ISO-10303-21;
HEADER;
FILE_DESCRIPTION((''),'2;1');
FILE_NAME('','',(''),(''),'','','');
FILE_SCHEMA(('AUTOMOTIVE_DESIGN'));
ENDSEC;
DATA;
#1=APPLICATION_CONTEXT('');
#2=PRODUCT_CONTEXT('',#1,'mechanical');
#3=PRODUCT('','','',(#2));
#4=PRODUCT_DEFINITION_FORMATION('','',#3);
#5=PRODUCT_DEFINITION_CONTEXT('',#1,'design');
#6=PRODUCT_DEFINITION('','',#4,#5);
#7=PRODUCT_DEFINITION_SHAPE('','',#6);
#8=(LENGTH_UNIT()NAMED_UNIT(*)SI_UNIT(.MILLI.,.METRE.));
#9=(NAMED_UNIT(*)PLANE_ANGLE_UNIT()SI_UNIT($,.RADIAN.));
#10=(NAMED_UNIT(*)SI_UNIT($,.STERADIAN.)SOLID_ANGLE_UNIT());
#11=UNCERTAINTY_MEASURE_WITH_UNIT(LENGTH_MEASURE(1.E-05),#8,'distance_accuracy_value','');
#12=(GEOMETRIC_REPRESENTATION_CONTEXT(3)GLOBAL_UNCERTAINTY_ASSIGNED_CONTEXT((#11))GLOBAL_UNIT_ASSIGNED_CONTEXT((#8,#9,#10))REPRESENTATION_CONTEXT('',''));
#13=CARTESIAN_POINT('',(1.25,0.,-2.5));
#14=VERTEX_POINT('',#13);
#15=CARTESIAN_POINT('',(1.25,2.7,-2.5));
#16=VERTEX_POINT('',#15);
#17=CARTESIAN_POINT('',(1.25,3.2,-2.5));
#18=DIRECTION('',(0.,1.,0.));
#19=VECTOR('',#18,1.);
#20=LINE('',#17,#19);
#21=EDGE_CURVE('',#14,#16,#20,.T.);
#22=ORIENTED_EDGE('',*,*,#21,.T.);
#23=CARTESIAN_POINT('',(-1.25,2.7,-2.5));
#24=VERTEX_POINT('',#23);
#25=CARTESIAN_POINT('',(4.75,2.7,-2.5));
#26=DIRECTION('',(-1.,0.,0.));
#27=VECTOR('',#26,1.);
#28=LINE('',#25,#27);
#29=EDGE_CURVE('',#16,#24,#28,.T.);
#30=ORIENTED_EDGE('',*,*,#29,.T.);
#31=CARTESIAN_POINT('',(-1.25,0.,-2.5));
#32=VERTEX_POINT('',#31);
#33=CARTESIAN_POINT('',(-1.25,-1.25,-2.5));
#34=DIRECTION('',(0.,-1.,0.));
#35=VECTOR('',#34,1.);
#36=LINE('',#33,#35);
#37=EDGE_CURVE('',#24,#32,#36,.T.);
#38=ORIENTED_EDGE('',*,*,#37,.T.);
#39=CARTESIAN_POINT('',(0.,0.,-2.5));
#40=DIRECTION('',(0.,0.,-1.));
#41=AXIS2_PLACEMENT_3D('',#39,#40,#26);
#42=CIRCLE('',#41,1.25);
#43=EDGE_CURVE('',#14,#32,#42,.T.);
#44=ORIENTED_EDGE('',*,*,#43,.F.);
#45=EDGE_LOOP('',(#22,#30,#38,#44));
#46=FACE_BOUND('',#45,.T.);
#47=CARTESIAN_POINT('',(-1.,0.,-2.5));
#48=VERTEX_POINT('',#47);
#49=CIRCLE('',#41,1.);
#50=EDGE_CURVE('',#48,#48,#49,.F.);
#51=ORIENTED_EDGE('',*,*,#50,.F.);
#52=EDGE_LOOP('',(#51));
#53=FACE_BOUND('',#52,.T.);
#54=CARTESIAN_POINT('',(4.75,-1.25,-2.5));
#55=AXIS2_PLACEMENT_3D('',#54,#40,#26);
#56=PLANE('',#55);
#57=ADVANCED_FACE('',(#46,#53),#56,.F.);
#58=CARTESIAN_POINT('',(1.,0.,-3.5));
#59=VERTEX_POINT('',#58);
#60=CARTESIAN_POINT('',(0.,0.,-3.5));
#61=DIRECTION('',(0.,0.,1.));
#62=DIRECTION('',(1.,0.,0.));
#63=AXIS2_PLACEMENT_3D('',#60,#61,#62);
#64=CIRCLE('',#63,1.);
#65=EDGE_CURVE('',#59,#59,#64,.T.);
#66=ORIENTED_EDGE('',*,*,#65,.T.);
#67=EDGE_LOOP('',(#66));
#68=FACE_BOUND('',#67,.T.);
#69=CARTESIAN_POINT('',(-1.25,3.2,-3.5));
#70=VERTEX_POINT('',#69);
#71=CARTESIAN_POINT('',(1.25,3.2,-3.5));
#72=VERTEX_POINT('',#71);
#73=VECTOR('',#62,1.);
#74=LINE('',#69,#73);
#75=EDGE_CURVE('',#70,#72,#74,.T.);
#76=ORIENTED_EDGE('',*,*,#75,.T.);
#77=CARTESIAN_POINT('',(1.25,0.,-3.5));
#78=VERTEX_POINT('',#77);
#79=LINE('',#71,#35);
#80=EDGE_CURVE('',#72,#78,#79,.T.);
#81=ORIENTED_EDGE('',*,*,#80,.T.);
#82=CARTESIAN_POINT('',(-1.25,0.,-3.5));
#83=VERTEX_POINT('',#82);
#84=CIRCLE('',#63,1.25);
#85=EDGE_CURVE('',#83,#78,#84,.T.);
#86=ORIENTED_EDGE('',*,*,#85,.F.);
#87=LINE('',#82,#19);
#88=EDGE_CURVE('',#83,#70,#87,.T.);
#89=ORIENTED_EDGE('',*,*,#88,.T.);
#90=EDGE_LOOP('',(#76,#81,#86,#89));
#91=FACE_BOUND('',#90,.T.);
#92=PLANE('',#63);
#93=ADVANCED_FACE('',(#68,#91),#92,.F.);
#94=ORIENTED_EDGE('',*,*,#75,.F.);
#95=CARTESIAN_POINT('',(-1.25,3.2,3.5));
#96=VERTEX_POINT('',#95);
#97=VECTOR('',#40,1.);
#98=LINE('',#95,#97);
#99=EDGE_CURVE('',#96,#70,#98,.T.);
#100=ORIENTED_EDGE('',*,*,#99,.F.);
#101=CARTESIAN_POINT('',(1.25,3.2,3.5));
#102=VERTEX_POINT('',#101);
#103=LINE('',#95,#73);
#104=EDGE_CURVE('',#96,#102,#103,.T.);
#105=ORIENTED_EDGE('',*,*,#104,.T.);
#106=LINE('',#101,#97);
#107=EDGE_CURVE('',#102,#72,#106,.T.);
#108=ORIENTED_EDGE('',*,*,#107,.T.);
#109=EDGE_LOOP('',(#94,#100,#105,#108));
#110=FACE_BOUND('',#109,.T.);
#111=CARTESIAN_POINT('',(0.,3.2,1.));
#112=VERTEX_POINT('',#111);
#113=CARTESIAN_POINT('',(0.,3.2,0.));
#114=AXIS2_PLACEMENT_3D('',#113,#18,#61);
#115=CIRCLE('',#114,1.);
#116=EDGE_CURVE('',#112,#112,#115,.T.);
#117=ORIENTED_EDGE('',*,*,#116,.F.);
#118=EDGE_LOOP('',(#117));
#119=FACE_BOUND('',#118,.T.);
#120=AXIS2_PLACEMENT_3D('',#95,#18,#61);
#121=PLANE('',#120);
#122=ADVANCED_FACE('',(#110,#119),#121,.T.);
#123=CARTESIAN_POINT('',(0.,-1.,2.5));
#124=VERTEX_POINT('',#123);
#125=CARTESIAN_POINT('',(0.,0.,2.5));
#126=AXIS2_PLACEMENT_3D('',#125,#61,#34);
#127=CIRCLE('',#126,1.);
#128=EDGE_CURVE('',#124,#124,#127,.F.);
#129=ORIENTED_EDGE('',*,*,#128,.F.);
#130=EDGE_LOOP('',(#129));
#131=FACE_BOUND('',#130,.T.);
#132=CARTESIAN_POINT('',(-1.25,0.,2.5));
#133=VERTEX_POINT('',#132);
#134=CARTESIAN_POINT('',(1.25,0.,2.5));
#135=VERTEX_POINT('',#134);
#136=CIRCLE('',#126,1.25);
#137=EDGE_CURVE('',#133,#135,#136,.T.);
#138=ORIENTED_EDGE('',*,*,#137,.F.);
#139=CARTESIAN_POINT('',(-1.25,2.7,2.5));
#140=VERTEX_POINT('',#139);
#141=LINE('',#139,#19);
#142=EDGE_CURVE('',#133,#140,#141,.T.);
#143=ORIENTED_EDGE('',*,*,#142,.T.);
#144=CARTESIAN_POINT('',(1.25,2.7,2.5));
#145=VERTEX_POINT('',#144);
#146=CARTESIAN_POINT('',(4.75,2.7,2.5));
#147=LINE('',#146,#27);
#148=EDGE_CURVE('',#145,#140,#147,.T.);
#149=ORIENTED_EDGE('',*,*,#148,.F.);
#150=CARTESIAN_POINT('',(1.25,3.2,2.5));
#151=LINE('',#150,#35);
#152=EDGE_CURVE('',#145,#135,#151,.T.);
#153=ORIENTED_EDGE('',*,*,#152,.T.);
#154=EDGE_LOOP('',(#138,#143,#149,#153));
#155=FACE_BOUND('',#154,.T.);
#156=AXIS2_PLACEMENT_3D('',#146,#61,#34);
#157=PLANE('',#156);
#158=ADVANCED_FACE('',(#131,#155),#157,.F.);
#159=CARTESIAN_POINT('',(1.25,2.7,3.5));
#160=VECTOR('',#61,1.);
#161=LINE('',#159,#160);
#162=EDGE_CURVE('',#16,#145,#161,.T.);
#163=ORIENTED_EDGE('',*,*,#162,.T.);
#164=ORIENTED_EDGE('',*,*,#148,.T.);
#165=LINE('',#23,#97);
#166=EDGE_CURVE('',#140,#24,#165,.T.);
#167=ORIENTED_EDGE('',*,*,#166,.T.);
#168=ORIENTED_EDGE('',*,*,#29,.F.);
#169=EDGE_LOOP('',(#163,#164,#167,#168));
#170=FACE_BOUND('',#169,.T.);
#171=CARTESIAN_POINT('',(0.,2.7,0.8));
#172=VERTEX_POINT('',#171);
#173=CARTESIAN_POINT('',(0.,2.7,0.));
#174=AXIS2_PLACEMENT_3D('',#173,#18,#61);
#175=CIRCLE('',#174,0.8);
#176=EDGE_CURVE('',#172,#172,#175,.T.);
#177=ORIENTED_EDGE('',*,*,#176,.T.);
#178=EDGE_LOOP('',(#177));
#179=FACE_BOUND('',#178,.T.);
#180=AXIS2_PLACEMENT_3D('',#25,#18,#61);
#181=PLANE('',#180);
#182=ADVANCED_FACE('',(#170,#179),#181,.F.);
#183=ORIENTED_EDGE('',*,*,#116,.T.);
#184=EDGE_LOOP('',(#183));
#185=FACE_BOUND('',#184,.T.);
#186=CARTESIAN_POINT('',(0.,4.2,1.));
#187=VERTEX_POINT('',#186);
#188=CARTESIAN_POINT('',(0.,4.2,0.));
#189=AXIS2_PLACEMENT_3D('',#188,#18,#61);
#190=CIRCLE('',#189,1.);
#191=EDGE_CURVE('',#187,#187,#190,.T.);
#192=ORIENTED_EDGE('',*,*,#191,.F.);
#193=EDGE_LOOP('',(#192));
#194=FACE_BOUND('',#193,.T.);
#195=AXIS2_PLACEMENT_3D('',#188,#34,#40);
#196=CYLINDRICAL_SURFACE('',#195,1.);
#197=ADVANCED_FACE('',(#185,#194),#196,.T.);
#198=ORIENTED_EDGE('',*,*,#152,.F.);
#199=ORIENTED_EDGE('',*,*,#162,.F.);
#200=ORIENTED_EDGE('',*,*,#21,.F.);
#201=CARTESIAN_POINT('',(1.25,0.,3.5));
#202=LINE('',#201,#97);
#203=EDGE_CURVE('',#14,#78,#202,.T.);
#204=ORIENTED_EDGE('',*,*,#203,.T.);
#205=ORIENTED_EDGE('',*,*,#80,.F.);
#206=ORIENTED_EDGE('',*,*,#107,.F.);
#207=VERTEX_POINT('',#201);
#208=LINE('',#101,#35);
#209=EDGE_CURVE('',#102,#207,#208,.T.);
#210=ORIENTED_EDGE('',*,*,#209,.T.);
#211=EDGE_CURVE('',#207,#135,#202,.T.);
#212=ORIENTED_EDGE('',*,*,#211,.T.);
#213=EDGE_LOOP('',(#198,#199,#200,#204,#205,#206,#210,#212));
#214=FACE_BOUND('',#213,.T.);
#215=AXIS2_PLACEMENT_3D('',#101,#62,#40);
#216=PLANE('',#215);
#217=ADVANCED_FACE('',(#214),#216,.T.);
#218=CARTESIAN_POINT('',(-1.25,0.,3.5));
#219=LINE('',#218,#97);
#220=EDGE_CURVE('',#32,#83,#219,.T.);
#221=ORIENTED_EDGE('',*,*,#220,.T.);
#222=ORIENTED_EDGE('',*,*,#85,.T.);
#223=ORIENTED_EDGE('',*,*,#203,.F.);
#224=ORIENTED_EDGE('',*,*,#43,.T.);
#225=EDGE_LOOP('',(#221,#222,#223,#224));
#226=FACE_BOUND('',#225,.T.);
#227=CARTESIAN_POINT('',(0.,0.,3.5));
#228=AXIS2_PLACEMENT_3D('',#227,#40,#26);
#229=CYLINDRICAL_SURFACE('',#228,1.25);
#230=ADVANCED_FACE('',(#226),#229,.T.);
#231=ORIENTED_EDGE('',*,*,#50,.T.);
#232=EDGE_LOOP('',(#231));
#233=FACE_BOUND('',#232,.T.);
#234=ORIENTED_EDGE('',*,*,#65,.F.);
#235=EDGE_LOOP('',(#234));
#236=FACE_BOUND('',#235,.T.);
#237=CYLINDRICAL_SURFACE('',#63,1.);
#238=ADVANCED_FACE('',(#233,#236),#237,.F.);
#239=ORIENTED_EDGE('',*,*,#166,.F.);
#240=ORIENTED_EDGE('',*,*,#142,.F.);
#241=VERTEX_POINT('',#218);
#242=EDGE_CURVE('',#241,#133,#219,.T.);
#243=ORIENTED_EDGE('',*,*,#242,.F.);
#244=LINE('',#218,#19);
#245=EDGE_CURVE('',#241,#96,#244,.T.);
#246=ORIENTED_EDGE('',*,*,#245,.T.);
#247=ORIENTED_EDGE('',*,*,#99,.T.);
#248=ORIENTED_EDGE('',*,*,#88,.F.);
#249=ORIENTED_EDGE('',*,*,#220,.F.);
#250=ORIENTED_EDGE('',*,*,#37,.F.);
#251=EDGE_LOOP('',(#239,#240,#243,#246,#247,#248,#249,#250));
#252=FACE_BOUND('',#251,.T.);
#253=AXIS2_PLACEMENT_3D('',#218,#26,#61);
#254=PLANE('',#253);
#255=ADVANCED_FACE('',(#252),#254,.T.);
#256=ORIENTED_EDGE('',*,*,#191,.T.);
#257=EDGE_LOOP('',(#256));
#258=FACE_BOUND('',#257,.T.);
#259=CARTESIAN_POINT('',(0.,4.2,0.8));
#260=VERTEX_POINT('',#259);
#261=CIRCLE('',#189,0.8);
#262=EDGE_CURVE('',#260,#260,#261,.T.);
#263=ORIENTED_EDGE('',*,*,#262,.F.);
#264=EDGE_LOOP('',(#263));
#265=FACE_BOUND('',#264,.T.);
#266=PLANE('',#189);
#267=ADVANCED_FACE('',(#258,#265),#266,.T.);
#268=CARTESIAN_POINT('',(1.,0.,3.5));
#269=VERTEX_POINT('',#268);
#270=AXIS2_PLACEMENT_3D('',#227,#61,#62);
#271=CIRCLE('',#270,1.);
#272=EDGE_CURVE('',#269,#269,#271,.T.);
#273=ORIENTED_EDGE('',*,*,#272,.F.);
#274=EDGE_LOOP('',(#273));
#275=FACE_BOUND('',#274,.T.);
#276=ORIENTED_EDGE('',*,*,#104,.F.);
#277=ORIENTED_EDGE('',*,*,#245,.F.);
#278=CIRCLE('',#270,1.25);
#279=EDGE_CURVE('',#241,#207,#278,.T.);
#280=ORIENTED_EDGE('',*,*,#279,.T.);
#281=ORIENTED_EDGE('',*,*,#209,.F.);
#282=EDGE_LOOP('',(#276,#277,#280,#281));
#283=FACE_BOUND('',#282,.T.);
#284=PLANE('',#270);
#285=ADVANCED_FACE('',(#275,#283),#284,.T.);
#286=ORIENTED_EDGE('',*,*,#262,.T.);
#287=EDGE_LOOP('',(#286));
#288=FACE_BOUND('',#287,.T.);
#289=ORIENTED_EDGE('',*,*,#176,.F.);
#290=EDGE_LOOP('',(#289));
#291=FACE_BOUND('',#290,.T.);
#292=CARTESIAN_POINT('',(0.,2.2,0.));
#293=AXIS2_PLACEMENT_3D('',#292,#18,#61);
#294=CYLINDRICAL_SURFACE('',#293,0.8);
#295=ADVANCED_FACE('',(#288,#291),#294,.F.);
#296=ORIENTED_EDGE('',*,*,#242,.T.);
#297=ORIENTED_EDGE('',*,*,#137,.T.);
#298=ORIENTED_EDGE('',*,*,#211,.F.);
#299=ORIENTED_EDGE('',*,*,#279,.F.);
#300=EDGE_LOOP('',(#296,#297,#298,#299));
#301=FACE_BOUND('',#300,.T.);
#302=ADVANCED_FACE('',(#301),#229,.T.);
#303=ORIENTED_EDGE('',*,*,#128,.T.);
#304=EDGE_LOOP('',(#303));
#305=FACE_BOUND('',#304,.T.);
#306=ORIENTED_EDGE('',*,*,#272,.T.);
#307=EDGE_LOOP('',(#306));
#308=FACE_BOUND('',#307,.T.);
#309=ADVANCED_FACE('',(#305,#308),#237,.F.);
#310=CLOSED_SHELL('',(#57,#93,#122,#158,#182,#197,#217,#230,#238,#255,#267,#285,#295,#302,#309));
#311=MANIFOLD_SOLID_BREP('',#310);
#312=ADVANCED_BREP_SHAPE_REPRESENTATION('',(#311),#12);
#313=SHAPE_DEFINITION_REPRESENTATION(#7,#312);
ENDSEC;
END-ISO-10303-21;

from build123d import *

# Parameters (mm, degrees)
BOSS_EXTRUDE2_DEPTH = 3.5
SKETCH4_R           = 1
CUT_EXTRUDE1_DEPTH  = 8.797595783
SKETCH5_W           = 5
SKETCH5_H           = 3.95
CUT_EXTRUDE2_DEPTH  = 6
SKETCH7_R           = 1
BOSS_EXTRUDE3_DEPTH = 1
SKETCH8_R           = 0.8
CUT_EXTRUDE3_DEPTH  = 2


with BuildPart() as part:
    # Sketch1 → Boss-Extrude2 (new, symmetric)
    with BuildSketch(Plane.XY):
        with BuildLine():
            Line((-1.25, 0), (-1.25, 3.2))
            Line((-1.25, 3.2), (1.25, 3.2))
            Line((1.25, 3.2), (1.25, 0))
            ThreePointArc((1.25, 0), (0, -1.25), (-1.25, 0))
        make_face()
    extrude(amount=BOSS_EXTRUDE2_DEPTH, both=True)

    # Sketch4 → Cut-Extrude1 (cut, through all)
    with BuildSketch(Plane.XY.offset(3.5)):
        Circle(SKETCH4_R)
    extrude(amount=-CUT_EXTRUDE1_DEPTH, mode=Mode.SUBTRACT)

    # Sketch5 → Cut-Extrude2 (cut)
    with BuildSketch(Plane.ZY.offset(1.25)):
        with Locations((0, 0.725)):
            Rectangle(SKETCH5_W, SKETCH5_H)
    extrude(amount=-CUT_EXTRUDE2_DEPTH, mode=Mode.SUBTRACT)

    # Sketch7 → Boss-Extrude3 (add)
    with BuildSketch(Plane(origin=(0, 3.2, 0), x_dir=(1, 0, 0), z_dir=(0, 1, 0))):
        with Locations(Location((0, 0, 0), (0, 0, 270))):
            Circle(SKETCH7_R)
    extrude(amount=BOSS_EXTRUDE3_DEPTH)

    # Sketch8 → Cut-Extrude3 (cut)
    with BuildSketch(Plane(origin=(0, 4.2, 0), x_dir=(1, 0, 0), z_dir=(0, 1, 0))):
        with Locations(Location((0, 0, 0), (0, 0, 270))):
            Circle(SKETCH8_R)
    extrude(amount=-CUT_EXTRUDE3_DEPTH, mode=Mode.SUBTRACT)


solid = part.part
